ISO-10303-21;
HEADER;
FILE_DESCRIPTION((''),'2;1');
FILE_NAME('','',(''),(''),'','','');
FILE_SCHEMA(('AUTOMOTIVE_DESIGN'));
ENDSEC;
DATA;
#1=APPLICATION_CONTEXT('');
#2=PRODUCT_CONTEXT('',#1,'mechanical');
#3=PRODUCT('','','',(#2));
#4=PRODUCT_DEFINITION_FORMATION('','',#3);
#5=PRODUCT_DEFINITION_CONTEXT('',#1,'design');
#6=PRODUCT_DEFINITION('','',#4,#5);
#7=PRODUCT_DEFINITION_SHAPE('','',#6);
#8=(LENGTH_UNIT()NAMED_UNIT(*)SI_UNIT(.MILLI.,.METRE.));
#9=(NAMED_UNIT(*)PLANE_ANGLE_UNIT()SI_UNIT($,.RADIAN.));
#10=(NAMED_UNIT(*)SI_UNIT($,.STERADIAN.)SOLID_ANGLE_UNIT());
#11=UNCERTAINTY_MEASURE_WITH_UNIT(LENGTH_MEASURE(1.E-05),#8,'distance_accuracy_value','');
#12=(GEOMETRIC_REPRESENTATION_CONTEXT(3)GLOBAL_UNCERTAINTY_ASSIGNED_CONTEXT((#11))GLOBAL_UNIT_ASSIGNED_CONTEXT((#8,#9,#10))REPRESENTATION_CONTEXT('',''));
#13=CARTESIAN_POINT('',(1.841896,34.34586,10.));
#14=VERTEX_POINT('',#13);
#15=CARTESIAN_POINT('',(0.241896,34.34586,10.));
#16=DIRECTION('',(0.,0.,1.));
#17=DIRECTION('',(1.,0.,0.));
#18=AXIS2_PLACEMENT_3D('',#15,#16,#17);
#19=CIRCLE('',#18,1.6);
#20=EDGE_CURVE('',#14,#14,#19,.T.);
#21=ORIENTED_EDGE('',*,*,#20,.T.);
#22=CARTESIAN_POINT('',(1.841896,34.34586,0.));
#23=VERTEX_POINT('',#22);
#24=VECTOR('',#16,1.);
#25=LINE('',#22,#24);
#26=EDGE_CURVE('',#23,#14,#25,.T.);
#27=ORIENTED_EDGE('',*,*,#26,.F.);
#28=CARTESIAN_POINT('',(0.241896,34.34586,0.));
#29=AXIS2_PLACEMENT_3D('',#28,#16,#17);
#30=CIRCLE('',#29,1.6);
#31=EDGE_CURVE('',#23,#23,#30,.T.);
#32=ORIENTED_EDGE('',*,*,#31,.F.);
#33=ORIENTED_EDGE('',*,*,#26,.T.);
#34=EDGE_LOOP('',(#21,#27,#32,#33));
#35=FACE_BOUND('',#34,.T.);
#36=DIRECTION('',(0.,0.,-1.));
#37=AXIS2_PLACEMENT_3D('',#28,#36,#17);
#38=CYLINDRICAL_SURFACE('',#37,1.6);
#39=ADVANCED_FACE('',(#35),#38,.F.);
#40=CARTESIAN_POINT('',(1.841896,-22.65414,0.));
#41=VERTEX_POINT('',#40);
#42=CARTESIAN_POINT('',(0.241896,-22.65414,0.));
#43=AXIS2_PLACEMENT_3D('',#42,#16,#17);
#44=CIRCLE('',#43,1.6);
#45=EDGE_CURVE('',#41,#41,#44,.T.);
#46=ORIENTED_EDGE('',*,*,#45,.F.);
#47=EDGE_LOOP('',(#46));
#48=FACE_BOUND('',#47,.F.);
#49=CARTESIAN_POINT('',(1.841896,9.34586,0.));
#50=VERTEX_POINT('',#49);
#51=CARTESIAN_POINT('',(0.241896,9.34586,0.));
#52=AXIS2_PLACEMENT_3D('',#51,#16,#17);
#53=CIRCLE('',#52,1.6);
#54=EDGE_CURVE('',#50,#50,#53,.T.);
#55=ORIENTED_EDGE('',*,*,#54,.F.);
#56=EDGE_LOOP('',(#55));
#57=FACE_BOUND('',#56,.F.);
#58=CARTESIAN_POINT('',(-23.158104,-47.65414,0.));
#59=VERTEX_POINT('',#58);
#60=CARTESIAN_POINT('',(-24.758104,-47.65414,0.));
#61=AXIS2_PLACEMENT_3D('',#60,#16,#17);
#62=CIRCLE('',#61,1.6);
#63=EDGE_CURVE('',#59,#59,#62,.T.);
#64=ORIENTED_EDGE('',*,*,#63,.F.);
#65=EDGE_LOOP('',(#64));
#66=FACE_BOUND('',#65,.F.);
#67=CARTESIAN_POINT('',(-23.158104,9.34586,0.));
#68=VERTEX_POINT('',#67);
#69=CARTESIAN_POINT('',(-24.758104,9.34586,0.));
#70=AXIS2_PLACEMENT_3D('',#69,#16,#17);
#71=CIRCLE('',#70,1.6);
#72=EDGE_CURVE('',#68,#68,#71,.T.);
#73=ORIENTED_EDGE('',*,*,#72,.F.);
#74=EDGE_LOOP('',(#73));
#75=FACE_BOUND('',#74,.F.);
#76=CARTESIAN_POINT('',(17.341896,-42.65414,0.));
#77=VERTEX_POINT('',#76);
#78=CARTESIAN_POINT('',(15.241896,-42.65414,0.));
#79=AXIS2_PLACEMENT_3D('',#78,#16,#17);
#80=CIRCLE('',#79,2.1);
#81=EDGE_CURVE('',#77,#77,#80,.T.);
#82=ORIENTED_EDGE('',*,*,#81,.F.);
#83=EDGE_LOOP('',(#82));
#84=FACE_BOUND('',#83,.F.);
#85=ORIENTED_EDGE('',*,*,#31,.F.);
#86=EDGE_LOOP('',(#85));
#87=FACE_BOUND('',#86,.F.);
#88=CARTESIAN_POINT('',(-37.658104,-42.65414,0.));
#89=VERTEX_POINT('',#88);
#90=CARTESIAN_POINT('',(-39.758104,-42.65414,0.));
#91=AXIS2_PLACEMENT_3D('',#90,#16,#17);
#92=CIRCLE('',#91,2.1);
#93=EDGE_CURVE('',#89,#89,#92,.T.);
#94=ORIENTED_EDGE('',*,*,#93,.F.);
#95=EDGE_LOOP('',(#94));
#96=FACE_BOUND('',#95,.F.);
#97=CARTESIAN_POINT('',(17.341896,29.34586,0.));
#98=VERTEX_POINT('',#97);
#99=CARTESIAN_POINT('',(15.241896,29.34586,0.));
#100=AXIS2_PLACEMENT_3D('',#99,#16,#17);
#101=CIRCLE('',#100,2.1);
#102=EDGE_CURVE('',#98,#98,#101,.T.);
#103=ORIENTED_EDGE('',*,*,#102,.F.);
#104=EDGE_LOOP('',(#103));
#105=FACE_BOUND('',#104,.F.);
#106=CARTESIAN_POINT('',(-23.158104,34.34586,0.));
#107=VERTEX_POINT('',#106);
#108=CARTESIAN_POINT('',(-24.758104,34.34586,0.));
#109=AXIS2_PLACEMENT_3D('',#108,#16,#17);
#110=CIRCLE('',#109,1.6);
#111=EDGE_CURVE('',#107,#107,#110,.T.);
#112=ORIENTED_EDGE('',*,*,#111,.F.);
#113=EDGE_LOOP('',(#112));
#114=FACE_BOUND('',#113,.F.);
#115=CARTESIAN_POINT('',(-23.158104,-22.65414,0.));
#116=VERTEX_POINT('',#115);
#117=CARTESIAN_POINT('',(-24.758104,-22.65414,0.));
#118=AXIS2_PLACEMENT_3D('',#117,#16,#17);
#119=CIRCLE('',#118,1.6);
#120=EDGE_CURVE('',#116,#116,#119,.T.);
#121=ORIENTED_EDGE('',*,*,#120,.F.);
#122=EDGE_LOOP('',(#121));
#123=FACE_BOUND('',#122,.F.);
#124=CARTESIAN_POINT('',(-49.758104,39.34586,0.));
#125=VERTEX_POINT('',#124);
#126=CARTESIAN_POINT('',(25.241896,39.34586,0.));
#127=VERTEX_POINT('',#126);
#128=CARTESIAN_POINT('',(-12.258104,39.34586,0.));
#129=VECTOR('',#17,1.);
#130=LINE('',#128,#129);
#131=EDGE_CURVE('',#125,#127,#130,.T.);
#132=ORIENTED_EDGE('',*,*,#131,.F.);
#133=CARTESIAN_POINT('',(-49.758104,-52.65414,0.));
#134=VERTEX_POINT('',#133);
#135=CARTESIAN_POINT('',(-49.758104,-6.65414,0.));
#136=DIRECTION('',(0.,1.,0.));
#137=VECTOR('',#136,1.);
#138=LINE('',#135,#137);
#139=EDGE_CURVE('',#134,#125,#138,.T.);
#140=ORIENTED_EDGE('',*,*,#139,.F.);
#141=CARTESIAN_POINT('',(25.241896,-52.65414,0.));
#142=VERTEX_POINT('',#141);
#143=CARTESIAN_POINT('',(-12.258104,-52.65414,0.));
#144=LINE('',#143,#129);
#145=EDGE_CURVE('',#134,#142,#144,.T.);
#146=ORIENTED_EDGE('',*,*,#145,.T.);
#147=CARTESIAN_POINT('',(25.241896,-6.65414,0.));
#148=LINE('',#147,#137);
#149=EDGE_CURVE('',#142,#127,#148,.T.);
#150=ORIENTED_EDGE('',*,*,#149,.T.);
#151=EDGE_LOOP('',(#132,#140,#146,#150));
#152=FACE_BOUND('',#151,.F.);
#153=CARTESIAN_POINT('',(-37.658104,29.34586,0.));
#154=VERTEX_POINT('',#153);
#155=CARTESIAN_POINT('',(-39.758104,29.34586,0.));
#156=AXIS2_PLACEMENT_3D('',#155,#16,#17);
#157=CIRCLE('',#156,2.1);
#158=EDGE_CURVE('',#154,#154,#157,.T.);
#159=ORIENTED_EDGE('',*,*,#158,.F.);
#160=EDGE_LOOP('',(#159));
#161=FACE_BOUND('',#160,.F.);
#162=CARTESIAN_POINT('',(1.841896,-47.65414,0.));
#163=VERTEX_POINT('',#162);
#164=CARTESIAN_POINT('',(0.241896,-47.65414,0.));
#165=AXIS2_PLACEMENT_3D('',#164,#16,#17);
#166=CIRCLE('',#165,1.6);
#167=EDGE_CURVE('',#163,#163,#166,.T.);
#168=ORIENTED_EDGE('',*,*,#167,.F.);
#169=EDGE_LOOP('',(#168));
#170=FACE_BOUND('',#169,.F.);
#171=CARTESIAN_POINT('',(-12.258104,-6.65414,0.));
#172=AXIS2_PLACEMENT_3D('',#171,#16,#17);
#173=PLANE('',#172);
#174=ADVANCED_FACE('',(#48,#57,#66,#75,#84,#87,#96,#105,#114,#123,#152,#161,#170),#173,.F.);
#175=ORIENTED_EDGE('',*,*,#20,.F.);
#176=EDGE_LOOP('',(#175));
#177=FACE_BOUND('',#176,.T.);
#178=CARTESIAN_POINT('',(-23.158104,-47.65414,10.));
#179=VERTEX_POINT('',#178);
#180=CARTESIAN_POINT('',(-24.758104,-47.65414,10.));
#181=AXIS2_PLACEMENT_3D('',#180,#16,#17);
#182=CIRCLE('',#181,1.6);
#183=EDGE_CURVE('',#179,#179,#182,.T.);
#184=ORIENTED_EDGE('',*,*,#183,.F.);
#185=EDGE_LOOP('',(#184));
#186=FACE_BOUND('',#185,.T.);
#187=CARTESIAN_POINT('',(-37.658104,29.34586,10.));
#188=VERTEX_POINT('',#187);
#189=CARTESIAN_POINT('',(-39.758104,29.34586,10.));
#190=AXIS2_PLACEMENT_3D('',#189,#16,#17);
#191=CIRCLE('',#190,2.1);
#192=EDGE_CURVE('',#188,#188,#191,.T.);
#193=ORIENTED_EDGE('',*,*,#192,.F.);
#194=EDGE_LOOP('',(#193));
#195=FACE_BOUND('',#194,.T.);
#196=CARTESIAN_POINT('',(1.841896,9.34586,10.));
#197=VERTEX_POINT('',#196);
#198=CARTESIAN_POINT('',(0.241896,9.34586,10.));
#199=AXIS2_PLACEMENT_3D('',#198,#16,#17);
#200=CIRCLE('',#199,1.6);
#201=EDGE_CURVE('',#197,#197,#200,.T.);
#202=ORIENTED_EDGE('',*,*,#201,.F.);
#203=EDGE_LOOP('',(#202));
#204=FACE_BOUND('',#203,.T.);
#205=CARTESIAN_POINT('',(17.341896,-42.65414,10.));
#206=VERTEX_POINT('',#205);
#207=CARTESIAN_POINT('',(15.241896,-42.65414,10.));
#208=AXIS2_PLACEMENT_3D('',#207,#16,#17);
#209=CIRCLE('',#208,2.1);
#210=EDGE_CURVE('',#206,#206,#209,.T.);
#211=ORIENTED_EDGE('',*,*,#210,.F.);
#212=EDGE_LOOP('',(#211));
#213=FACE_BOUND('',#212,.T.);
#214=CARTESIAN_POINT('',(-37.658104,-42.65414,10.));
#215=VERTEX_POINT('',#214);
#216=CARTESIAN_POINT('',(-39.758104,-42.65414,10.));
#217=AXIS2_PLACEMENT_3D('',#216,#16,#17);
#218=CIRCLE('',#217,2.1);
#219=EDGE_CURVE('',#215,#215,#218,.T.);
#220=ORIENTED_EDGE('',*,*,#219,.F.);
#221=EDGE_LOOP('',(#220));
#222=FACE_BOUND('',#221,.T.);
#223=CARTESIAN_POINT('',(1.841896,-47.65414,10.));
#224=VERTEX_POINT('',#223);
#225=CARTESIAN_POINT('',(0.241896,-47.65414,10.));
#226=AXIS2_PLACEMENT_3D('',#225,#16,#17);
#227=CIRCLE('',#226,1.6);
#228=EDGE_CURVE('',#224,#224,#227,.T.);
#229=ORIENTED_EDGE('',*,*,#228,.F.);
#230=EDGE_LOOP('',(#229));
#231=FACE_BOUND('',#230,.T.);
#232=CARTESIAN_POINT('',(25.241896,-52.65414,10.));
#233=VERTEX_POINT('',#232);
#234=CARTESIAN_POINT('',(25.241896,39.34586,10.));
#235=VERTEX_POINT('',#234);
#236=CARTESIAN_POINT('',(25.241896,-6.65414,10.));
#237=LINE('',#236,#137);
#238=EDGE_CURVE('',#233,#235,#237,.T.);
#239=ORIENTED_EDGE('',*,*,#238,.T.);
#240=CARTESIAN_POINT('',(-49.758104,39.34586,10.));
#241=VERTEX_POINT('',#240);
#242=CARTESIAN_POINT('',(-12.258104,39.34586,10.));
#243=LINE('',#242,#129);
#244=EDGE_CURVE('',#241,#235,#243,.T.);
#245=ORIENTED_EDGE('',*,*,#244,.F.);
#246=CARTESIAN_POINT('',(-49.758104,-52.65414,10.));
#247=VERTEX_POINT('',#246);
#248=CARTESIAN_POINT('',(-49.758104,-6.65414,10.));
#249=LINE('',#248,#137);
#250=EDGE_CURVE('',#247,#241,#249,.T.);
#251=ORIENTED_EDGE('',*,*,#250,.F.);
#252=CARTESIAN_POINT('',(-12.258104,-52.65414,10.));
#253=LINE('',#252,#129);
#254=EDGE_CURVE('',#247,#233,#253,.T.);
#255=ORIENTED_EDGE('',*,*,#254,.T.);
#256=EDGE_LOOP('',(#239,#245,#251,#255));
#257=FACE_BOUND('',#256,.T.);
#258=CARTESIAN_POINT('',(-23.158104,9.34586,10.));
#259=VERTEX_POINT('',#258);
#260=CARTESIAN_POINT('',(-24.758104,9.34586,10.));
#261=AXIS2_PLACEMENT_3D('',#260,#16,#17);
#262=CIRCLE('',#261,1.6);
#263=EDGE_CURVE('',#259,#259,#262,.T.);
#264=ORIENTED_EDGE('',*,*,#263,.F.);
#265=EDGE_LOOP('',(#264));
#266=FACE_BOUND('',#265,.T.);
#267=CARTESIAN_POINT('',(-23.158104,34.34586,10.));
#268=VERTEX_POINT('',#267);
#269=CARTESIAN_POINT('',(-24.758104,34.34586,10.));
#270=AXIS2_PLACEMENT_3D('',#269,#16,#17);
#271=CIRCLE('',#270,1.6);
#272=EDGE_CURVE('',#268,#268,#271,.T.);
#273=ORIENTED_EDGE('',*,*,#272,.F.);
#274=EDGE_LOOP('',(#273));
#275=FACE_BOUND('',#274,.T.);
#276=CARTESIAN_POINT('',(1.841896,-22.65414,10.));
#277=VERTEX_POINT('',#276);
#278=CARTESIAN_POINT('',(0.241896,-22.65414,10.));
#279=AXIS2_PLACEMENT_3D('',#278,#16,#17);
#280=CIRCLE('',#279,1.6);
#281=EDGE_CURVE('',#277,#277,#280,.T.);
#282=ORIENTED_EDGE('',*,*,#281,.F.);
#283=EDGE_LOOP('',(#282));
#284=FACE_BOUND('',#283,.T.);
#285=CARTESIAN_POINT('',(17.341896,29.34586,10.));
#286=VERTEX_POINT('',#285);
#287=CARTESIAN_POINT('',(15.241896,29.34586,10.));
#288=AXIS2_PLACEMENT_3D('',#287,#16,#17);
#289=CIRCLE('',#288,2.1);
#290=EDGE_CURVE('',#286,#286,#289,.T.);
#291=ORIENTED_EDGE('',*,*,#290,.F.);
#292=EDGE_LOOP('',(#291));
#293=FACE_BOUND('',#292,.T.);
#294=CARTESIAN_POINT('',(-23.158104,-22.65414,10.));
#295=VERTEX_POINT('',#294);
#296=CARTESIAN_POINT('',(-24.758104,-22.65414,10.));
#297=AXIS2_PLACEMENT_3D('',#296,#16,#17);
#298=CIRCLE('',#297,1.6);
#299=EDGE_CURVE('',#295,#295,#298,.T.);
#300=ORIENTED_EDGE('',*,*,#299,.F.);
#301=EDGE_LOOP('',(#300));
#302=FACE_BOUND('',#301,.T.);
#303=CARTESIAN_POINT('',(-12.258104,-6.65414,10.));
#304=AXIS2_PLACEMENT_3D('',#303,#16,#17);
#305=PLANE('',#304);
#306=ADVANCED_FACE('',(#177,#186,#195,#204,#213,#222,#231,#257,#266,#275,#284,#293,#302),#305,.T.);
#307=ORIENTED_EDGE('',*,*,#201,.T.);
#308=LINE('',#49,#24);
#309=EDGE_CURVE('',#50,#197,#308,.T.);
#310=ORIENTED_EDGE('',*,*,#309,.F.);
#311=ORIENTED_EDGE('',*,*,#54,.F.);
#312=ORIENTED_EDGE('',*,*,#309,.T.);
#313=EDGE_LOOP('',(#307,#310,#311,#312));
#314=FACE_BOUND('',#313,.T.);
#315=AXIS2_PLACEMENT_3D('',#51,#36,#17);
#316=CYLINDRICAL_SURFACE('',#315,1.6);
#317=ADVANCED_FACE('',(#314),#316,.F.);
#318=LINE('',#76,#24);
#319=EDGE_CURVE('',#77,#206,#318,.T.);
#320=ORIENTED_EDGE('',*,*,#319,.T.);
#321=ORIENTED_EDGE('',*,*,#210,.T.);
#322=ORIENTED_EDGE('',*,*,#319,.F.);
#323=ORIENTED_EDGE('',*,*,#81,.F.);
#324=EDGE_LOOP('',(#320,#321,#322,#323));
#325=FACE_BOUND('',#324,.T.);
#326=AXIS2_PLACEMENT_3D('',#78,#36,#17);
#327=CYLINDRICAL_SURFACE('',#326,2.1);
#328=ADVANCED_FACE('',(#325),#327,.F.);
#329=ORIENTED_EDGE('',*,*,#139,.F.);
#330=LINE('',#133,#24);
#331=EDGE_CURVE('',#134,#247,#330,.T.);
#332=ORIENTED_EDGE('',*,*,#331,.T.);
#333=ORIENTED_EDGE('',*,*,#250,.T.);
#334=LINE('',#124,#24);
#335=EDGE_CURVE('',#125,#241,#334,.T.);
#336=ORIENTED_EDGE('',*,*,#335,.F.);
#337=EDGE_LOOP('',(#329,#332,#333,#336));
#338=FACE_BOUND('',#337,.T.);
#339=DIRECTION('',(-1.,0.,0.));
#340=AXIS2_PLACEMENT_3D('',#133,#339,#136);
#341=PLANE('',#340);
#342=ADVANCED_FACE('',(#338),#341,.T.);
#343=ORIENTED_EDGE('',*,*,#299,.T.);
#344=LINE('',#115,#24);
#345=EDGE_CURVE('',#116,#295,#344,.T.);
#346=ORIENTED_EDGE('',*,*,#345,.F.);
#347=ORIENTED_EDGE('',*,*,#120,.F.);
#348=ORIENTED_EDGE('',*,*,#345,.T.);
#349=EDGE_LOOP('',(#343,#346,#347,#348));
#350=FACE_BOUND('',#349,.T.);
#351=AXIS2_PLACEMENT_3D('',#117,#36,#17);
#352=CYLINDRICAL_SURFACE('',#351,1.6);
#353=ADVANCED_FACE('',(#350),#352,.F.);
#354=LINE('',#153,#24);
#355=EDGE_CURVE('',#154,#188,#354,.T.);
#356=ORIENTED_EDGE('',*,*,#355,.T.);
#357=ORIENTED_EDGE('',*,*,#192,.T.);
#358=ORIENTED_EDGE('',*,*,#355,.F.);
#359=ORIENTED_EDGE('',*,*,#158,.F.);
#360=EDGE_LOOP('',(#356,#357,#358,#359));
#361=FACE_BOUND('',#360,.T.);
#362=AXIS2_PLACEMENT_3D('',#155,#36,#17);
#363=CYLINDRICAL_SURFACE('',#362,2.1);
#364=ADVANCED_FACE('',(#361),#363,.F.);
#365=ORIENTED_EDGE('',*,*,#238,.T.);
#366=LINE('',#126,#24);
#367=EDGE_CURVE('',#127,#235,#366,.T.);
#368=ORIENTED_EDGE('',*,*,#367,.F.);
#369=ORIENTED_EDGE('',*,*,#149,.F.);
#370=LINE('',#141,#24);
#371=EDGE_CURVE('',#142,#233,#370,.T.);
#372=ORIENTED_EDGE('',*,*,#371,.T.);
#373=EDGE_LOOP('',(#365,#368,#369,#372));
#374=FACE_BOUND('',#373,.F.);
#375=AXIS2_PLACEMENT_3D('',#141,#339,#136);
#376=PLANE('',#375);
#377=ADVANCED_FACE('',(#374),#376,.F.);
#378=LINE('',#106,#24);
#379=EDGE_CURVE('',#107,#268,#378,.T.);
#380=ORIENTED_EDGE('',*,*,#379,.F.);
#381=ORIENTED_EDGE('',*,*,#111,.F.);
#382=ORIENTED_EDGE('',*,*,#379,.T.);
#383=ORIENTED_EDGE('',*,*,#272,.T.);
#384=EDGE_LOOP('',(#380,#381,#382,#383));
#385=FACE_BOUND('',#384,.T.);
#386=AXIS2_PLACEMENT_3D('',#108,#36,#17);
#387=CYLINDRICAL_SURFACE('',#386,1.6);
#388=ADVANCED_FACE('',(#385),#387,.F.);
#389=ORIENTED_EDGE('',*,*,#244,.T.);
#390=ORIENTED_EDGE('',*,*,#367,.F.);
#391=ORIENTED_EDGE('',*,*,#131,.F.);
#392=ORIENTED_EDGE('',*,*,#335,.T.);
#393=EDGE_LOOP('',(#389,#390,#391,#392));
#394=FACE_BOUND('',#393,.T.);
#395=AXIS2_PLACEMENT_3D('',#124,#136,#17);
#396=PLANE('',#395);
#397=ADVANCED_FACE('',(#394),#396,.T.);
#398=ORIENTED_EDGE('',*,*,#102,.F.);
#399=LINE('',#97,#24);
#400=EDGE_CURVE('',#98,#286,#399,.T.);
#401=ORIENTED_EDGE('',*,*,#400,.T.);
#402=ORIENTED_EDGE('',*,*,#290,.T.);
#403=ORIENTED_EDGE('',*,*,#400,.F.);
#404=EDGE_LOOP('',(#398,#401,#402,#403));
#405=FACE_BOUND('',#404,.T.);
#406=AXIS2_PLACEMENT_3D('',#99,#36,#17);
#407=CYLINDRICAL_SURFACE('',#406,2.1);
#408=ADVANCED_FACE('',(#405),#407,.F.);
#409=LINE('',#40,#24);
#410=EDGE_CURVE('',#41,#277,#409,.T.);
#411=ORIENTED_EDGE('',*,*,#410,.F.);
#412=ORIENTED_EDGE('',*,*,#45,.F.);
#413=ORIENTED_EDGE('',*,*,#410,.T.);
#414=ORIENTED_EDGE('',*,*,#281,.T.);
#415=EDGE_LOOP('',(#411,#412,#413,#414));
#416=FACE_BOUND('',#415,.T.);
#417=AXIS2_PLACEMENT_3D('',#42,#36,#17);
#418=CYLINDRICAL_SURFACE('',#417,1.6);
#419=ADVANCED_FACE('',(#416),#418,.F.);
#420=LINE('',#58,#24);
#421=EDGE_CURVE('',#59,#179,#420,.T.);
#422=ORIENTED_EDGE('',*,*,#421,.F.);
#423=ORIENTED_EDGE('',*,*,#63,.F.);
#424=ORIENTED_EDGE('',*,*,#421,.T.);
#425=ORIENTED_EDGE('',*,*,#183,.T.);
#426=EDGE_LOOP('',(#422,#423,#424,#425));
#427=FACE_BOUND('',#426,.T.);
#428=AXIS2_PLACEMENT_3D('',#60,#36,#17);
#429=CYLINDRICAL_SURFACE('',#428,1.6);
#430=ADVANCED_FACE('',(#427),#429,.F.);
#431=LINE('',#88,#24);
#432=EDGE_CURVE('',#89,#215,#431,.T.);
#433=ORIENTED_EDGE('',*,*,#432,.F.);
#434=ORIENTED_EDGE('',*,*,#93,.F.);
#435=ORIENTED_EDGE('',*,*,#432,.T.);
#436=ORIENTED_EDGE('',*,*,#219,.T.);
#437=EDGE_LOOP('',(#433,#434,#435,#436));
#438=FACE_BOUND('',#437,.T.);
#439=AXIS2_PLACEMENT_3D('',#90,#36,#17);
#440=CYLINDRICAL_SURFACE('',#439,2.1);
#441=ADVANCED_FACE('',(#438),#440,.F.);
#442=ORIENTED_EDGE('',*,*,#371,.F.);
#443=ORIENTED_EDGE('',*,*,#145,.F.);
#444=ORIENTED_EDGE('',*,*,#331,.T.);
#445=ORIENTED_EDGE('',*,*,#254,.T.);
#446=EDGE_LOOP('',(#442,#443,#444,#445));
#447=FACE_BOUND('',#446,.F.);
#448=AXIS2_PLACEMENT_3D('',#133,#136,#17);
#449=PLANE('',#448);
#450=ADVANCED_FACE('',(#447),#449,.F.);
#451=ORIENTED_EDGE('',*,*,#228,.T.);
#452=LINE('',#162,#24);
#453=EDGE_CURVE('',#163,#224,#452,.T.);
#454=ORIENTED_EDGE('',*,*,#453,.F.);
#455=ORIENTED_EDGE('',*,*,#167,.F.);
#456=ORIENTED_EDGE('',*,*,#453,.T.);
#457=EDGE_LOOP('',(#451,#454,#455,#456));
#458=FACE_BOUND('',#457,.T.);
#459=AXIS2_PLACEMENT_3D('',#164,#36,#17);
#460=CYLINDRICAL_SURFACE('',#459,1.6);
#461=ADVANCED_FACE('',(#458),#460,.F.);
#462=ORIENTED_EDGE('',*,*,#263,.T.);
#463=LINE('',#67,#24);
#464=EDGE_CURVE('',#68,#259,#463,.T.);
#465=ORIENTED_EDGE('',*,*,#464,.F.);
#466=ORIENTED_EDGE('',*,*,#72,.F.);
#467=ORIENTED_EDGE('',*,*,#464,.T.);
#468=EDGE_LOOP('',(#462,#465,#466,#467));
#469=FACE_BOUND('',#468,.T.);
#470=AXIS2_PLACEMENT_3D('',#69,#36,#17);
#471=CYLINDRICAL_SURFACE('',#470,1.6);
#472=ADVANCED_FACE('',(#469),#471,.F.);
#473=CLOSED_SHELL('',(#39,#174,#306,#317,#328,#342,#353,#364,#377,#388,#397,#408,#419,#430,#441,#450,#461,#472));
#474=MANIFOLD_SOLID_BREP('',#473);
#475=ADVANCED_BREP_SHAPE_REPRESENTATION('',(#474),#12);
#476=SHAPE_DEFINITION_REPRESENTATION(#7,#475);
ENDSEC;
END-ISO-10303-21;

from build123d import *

# Parameters (mm, degrees)
F0_W     = 75
F0_H     = 92
F0_R     = 2.1
F0_R_2   = 1.6
F1_DEPTH = 10


with BuildPart() as f1:
    # F0 (on Top) → F1 (new body)
    with BuildSketch(Plane.XY):
        with Locations((-12.258104, -6.65414)):
            Rectangle(F0_W, F0_H)
        with Locations((-39.758104, -42.65414)):
            Circle(F0_R, mode=Mode.SUBTRACT)
        with Locations((-24.758104, -47.65414)):
            Circle(F0_R_2, mode=Mode.SUBTRACT)
        with Locations((-24.758104, -22.65414)):
            Circle(F0_R_2, mode=Mode.SUBTRACT)
        with Locations((0.241896, -47.65414)):
            Circle(F0_R_2, mode=Mode.SUBTRACT)
        with Locations((15.241896, -42.65414)):
            Circle(F0_R, mode=Mode.SUBTRACT)
        with Locations((0.241896, -22.65414)):
            Circle(F0_R_2, mode=Mode.SUBTRACT)
        with Locations((-24.758104, 9.34586)):
            Circle(F0_R_2, mode=Mode.SUBTRACT)
        with Locations((-39.758104, 29.34586)):
            Circle(F0_R, mode=Mode.SUBTRACT)
        with Locations((-24.758104, 34.34586)):
            Circle(F0_R_2, mode=Mode.SUBTRACT)
        with Locations((0.241896, 9.34586)):
            Circle(F0_R_2, mode=Mode.SUBTRACT)
        with Locations((0.241896, 34.34586)):
            Circle(F0_R_2, mode=Mode.SUBTRACT)
        with Locations((15.241896, 29.34586)):
            Circle(F0_R, mode=Mode.SUBTRACT)
    extrude(amount=F1_DEPTH)


solid = f1.part
